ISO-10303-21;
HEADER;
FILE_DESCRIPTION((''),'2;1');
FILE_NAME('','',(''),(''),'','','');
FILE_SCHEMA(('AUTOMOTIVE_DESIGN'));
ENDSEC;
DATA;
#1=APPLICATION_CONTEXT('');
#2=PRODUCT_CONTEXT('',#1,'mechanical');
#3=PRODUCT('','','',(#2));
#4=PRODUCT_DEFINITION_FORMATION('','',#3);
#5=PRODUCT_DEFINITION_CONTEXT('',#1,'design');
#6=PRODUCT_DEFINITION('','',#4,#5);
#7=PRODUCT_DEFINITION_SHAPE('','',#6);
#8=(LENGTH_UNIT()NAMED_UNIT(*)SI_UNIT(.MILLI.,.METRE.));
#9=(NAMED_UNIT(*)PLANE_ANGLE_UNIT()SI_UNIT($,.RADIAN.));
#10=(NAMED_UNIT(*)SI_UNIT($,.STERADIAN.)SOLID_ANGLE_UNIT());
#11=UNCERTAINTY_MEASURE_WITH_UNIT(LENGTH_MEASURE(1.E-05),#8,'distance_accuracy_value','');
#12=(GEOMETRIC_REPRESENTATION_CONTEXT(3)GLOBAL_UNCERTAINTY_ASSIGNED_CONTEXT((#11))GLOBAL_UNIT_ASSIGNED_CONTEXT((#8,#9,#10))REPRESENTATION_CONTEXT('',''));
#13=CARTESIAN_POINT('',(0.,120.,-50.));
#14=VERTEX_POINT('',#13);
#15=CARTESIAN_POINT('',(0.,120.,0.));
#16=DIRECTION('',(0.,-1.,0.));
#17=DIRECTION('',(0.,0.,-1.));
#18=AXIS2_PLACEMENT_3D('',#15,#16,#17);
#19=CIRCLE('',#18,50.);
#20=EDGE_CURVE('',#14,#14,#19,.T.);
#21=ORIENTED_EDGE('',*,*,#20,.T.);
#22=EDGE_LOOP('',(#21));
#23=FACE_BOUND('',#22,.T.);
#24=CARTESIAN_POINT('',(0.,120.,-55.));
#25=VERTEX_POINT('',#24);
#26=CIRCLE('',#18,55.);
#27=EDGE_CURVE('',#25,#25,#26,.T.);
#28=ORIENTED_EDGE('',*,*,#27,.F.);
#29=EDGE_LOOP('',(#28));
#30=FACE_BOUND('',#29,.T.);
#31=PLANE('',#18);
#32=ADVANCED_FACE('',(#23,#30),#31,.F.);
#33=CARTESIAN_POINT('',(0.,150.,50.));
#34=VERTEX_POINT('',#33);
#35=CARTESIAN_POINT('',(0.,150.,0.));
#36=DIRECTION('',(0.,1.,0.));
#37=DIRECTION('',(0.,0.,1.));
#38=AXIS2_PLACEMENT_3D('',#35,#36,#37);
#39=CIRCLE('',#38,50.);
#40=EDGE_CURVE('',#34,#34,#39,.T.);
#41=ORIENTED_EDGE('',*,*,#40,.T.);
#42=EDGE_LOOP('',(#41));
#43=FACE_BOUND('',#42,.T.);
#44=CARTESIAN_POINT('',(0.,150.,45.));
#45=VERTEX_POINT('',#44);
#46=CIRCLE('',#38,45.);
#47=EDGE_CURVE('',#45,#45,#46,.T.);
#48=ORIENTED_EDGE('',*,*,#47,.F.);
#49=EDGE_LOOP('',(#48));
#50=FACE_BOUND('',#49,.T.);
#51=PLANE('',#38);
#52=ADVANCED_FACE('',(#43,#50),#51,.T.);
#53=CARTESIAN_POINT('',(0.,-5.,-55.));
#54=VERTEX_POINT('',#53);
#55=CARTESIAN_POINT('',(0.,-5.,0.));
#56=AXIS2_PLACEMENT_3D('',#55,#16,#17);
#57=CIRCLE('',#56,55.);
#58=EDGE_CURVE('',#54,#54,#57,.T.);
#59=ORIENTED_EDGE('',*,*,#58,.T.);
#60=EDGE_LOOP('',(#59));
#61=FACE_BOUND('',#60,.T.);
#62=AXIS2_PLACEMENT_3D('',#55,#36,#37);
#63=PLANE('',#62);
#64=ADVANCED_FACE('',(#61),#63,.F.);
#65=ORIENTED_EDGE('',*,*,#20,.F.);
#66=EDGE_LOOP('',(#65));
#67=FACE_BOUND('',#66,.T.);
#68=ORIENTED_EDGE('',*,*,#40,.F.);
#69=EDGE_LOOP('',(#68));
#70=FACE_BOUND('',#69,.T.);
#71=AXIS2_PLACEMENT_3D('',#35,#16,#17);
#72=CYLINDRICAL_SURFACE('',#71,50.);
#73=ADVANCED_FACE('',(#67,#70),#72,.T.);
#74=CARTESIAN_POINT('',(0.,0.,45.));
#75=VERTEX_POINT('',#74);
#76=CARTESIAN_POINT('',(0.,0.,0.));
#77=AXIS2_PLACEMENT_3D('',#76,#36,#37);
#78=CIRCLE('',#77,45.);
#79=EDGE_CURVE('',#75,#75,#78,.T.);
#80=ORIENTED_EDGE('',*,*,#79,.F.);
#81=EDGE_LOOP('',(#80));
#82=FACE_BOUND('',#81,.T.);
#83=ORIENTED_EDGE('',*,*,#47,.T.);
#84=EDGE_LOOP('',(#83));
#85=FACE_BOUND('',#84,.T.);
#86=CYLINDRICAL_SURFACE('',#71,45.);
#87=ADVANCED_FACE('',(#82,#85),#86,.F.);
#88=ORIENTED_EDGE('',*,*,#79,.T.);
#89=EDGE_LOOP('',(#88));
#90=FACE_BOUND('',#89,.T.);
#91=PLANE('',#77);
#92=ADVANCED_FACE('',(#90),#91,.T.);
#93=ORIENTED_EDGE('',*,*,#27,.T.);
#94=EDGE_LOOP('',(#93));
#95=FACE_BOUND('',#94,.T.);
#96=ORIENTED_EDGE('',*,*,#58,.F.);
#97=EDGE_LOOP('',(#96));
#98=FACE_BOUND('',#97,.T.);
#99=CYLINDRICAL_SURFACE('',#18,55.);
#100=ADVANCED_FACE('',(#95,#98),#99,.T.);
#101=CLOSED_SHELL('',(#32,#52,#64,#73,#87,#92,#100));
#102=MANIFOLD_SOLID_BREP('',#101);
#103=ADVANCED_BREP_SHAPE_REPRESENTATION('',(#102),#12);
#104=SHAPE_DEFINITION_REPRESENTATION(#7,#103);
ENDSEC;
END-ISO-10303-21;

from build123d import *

# Parameters (mm, degrees)
SKETCH1_R           = 45
BOSS_EXTRUDE2_DEPTH = 150
SHELL1_T            = 5
SKETCH2_R           = 55
SKETCH2_R_2         = 50
BOSS_EXTRUDE3_DEPTH = 125


with BuildPart() as part:
    # Sketch1 → Boss-Extrude2 (new body)
    with BuildSketch(Plane(origin=(0, 0, 0), x_dir=(1, 0, 0), z_dir=(0, 1, 0))):
        with Locations(Location((0, 0, 0), (0, 0, 270))):
            Circle(SKETCH1_R)
    extrude(amount=BOSS_EXTRUDE2_DEPTH)

    # Shell1
    shell1_openings = [part.faces().sort_by_distance(p)[0] for p in [
        (0, 150, 0),
    ]]
    offset(amount=SHELL1_T, openings=shell1_openings, kind=Kind.INTERSECTION)

    # Sketch2 → Boss-Extrude3 (add)
    with BuildSketch(Plane(origin=(0, -5, 0), x_dir=(-1, 0, 0), z_dir=(0, -1, 0))):
        with Locations(Location((0, 0, 0), (0, 0, 90))):
            Circle(SKETCH2_R)
        with Locations(Location((0, 0, 0), (0, 0, 90))):
            Circle(SKETCH2_R_2, mode=Mode.SUBTRACT)
    extrude(amount=-BOSS_EXTRUDE3_DEPTH)


solid = part.part
